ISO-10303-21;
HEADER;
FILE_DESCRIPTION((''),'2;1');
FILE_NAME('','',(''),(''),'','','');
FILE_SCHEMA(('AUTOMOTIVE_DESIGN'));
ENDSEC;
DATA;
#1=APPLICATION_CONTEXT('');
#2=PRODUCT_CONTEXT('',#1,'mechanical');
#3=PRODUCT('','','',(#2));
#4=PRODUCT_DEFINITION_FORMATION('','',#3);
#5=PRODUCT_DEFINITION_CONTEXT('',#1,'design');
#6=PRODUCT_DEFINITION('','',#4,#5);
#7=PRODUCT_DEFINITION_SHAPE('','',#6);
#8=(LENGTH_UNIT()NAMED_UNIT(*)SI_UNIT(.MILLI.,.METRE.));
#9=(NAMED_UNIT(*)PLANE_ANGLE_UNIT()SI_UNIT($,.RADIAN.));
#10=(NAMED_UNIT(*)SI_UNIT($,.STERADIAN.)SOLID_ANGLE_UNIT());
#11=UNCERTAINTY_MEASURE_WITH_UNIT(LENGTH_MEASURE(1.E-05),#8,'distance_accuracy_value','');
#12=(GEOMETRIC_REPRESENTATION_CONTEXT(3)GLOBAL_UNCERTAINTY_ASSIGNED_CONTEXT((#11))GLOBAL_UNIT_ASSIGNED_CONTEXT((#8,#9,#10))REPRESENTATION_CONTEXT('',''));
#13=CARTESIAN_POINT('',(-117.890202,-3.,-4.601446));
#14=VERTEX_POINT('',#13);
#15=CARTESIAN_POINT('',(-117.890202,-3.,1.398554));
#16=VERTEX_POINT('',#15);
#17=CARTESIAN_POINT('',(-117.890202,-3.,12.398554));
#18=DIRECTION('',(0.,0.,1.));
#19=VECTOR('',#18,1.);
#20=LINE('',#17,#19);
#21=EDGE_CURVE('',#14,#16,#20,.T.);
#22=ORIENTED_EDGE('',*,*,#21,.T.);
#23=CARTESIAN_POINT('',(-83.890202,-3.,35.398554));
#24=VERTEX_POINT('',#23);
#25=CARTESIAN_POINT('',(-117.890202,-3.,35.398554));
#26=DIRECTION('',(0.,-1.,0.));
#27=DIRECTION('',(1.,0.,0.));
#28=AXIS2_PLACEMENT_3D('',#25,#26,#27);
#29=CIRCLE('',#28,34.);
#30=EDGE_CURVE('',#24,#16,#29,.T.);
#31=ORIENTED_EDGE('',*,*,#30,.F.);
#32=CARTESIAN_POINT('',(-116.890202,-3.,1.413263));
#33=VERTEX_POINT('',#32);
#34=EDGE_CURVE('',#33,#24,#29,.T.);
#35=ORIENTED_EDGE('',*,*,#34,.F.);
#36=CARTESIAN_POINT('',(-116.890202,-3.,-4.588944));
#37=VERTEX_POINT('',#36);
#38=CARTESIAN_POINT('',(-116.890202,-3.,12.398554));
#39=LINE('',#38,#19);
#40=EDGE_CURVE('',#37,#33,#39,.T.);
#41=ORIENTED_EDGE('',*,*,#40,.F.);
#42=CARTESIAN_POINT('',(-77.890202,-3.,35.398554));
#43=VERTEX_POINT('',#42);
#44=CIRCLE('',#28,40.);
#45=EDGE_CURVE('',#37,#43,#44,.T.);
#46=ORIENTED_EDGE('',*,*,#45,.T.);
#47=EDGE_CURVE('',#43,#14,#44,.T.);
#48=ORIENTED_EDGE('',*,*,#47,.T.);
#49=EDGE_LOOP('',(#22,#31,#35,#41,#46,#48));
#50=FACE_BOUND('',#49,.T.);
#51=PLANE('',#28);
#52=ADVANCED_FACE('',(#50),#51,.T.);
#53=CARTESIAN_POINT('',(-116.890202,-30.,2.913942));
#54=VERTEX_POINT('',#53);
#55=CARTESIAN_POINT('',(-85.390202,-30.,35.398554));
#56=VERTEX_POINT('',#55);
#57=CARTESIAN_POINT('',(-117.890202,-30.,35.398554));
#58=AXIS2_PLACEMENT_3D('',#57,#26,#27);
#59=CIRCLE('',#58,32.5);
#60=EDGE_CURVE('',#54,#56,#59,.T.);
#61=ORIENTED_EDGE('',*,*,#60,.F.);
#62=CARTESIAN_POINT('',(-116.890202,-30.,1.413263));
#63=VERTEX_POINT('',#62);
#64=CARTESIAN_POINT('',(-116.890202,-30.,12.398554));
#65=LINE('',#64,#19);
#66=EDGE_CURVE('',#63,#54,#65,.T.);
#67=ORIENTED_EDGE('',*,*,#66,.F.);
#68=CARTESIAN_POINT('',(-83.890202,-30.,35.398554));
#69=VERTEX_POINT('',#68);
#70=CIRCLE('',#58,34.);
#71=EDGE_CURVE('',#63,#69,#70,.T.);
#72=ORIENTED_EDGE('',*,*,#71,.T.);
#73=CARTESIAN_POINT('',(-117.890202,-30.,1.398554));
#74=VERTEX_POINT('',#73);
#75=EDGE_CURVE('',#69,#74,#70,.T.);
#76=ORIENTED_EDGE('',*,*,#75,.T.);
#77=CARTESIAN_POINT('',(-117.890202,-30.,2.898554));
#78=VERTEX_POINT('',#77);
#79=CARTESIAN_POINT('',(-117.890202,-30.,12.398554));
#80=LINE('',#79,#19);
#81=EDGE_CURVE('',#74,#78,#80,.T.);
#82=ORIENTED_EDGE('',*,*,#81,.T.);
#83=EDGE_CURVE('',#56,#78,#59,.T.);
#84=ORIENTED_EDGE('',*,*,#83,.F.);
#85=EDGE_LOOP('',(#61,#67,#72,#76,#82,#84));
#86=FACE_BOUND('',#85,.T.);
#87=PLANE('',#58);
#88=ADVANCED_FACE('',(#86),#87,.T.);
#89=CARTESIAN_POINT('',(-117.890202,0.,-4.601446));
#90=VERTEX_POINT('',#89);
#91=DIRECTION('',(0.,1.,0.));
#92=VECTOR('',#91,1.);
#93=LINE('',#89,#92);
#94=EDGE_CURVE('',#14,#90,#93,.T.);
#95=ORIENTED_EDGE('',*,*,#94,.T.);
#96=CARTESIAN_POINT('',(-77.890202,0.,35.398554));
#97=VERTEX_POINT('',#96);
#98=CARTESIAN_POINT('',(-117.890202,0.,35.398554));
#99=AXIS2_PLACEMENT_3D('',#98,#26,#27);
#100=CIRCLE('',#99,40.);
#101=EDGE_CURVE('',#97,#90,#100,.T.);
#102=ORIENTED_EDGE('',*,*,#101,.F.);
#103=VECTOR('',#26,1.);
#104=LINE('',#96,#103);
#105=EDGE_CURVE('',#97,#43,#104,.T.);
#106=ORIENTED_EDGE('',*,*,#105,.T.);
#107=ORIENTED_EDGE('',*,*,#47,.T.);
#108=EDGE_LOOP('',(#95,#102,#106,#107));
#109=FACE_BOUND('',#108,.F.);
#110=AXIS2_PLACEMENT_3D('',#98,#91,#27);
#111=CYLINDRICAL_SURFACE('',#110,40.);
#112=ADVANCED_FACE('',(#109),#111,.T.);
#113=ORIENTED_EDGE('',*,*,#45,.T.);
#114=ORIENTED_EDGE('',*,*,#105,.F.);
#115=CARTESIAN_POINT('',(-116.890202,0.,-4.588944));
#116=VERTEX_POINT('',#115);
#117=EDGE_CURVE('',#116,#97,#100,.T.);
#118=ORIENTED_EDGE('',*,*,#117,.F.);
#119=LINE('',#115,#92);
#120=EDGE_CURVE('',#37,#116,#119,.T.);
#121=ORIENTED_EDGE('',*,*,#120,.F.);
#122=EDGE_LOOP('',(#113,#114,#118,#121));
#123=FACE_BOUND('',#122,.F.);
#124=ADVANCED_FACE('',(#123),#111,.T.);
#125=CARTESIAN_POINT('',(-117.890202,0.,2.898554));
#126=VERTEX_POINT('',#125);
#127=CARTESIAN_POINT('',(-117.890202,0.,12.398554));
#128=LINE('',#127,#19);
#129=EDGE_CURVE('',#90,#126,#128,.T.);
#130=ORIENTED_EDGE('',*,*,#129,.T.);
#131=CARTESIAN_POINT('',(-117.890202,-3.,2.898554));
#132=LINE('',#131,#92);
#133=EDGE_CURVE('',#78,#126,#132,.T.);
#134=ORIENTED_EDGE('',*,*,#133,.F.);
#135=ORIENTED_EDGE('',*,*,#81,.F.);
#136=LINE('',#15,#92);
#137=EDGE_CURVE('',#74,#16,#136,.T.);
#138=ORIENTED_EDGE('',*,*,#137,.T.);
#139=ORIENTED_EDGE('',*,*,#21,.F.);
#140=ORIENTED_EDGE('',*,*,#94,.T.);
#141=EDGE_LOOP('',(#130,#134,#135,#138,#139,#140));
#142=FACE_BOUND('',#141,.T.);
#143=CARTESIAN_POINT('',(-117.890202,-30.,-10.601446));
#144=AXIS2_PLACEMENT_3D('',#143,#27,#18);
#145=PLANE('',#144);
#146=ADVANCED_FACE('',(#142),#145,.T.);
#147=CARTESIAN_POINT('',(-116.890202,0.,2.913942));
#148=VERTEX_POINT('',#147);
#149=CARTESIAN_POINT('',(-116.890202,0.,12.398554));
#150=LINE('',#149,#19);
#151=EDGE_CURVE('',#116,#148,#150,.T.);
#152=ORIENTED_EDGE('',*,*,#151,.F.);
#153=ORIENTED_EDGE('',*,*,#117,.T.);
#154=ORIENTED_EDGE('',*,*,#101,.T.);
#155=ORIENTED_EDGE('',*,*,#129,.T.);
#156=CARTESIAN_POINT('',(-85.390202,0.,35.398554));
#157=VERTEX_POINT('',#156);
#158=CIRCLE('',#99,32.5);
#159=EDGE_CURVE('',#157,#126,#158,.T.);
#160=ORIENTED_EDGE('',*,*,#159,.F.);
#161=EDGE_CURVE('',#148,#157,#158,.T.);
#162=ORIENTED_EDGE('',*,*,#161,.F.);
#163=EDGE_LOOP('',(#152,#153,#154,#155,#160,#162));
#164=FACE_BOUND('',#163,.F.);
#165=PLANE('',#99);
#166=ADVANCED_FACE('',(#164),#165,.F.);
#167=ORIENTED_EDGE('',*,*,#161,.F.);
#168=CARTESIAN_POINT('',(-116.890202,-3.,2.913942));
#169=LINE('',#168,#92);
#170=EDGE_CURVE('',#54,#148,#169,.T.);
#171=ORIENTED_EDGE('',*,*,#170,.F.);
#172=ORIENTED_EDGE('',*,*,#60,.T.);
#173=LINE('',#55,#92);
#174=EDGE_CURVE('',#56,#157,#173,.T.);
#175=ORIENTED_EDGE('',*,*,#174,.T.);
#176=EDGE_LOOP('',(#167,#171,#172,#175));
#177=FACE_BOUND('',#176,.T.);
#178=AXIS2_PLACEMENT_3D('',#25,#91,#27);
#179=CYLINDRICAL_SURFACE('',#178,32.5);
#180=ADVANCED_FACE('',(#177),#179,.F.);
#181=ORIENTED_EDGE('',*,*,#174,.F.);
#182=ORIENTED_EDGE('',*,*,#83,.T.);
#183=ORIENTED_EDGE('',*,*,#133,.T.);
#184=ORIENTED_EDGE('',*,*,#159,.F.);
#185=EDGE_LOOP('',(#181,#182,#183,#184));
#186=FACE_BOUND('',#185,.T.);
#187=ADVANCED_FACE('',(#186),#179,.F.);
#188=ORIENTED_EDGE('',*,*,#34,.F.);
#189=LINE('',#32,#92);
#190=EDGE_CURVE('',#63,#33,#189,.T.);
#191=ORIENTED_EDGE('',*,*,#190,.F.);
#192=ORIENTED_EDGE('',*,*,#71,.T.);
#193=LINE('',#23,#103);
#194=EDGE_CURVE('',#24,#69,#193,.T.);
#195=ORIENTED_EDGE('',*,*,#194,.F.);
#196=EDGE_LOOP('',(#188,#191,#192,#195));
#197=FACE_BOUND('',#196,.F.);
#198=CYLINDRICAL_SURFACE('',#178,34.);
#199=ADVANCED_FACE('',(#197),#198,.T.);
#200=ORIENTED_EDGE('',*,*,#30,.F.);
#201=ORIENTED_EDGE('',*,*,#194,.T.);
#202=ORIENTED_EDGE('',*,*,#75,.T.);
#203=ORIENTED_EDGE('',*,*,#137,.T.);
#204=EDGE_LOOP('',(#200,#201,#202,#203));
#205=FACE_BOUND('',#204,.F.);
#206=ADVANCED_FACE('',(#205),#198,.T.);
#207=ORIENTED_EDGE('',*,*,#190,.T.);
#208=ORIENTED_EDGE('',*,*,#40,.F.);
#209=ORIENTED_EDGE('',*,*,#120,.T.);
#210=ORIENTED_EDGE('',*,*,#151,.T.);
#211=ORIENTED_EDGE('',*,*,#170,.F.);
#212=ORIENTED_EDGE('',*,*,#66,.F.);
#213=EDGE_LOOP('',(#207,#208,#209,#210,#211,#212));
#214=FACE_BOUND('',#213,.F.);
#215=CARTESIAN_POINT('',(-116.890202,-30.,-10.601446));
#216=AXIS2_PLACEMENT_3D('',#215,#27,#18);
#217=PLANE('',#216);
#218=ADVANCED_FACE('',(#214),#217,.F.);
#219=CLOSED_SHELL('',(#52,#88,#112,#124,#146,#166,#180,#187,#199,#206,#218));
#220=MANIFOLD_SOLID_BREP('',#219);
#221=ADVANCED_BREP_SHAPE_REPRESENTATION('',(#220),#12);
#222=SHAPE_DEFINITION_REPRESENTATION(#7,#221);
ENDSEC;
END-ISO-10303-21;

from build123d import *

# Parameters (mm, degrees)
F0_R     = 40
F0_R_2   = 34
F0_R_3   = 32.5
F1_DEPTH = 3
F2_R     = 34
F2_R_2   = 32.5
F3_DEPTH = 27
F4_W     = 1
F4_H     = 46
F5_DEPTH = 56.9


with BuildPart() as f1:
    # F0 (on Front) → F1 (new body)
    with BuildSketch(Plane.XZ):
        with Locations((-117.890202, 35.398554)):
            Circle(F0_R)
        with Locations((-117.890202, 35.398554)):
            Circle(F0_R_2, mode=Mode.SUBTRACT)
        with Locations((-117.890202, 35.398554)):
            Circle(F0_R_2)
        with Locations((-117.890202, 35.398554)):
            Circle(F0_R_3, mode=Mode.SUBTRACT)
    extrude(amount=F1_DEPTH)

    # F2 (on face) → F3 (join)
    with BuildSketch(Plane.XZ.offset(3)):
        with Locations((-117.890202, 35.398554)):
            Circle(F2_R)
        with Locations((-117.890202, 35.398554)):
            Circle(F2_R_2, mode=Mode.SUBTRACT)
    extrude(amount=F3_DEPTH)

    # F4 (on face) → F5 (cut)
    with BuildSketch(Plane.XZ.offset(30)):
        with Locations((-117.390202, 12.398554)):
            Rectangle(F4_W, F4_H)
    extrude(amount=-F5_DEPTH, mode=Mode.SUBTRACT)


solid = f1.part
